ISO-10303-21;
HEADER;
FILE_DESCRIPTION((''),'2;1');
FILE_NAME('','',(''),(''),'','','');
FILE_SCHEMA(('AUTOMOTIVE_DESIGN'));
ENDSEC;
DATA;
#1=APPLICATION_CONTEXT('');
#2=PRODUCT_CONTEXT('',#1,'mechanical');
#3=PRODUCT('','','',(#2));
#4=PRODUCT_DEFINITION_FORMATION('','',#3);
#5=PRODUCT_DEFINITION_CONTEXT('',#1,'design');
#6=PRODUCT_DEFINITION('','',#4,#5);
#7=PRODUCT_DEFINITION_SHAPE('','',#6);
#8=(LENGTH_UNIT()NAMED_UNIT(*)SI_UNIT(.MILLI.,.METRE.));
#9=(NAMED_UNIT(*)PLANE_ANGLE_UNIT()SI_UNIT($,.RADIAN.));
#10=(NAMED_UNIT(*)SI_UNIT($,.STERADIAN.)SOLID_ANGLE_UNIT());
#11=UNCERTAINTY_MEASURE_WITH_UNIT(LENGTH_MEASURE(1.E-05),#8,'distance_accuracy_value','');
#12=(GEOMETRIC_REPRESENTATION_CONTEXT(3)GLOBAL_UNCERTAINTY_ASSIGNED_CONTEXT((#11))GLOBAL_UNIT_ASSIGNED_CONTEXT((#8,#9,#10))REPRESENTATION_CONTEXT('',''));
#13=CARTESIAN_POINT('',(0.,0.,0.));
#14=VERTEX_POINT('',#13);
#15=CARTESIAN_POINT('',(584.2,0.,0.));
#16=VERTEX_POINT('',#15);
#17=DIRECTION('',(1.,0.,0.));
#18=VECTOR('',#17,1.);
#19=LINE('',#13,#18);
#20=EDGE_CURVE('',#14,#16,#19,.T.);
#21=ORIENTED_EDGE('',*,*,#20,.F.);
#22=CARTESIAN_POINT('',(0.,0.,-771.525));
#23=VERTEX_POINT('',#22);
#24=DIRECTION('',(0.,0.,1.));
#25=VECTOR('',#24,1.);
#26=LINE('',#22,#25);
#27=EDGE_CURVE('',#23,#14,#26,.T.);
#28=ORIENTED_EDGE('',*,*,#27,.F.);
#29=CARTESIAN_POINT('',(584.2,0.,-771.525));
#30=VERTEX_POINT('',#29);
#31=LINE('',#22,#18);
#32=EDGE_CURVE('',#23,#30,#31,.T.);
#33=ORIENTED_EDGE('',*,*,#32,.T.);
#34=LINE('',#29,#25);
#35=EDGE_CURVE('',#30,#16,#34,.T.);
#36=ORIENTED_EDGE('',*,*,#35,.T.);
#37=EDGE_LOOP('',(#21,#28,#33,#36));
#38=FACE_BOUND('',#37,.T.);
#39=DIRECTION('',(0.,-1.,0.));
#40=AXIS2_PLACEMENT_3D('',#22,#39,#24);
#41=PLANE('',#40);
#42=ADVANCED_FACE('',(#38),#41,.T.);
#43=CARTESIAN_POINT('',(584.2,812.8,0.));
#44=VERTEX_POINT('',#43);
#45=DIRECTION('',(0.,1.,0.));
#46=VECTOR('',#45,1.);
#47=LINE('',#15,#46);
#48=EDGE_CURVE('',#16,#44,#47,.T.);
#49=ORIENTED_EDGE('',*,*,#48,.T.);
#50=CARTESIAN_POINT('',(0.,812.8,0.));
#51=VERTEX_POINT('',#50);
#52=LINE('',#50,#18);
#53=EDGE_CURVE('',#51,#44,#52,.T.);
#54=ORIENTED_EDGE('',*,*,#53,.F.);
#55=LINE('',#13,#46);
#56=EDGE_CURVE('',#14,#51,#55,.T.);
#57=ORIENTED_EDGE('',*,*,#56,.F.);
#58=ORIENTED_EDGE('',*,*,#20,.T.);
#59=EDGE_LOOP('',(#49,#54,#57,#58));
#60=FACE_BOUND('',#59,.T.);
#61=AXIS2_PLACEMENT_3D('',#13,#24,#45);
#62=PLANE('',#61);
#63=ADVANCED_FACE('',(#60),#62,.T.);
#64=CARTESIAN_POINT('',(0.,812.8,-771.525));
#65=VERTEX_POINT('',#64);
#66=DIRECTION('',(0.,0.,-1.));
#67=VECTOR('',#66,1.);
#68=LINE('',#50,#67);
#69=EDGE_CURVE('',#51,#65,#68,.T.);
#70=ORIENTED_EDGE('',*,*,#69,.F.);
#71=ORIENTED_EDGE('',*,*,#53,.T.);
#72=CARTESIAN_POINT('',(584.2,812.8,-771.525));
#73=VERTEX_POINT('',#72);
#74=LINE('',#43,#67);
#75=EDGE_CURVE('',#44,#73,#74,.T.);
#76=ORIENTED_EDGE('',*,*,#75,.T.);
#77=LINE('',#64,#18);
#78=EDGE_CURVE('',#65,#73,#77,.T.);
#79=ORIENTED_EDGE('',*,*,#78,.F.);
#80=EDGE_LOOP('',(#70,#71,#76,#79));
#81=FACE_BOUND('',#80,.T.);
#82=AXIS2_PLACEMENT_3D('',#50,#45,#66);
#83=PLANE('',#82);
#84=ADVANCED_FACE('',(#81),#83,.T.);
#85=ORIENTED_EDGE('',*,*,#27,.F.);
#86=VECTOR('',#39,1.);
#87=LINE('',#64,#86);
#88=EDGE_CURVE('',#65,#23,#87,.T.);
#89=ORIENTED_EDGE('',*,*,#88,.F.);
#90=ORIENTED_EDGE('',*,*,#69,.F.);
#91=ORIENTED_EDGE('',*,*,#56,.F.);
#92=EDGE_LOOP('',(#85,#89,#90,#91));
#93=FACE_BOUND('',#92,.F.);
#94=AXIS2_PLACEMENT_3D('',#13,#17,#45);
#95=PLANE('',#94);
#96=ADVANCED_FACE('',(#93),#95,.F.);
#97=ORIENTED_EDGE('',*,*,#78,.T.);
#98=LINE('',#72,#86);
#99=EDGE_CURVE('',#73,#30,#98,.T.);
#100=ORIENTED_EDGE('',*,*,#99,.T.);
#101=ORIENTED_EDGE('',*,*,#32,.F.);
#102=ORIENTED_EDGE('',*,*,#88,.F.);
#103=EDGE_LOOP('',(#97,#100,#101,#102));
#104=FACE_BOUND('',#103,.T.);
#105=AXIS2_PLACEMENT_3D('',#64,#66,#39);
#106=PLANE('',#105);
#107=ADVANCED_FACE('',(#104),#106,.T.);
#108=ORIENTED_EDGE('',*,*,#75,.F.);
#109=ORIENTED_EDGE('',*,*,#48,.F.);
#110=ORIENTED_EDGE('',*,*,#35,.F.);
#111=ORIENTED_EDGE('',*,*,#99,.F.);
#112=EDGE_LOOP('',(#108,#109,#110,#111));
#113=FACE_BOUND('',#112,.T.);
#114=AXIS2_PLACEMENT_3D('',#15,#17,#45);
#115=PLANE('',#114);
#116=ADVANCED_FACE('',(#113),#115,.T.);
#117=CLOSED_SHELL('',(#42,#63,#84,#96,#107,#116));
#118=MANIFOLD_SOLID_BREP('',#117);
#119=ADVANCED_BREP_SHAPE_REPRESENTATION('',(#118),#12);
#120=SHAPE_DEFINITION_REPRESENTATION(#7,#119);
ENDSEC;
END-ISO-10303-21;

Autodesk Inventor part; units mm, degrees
ref_plane "YZ Plane" through (0, 0, 0) normal (1, 0, 0) x (0, 1, 0)
ref_plane "XZ Plane" through (0, 0, 0) normal (0, 1, 0) x (-1, 0, 0)
ref_plane "XY Plane" through (0, 0, 0) normal (0, 0, 1) x (1, 0, 0)
sketch "Sketch1" plane through (0, 0, 0) normal (1, 0, 0) x (0, 1, 0)
  line L0 (0, 0) -> (812.8, 0)
  line L1 (812.8, 0) -> (812.8, -771.525)
  line L2 (812.8, -771.525) -> (0, -771.525)
  line L3 (0, -771.525) -> (0, 0)
  dimension "d1" = 812.8
  dimension "d3" = 771.525
extrude "Extrusion1" add sketch "Sketch1" along normal blind 584.2
properties part number "Sink_Cabinet"
